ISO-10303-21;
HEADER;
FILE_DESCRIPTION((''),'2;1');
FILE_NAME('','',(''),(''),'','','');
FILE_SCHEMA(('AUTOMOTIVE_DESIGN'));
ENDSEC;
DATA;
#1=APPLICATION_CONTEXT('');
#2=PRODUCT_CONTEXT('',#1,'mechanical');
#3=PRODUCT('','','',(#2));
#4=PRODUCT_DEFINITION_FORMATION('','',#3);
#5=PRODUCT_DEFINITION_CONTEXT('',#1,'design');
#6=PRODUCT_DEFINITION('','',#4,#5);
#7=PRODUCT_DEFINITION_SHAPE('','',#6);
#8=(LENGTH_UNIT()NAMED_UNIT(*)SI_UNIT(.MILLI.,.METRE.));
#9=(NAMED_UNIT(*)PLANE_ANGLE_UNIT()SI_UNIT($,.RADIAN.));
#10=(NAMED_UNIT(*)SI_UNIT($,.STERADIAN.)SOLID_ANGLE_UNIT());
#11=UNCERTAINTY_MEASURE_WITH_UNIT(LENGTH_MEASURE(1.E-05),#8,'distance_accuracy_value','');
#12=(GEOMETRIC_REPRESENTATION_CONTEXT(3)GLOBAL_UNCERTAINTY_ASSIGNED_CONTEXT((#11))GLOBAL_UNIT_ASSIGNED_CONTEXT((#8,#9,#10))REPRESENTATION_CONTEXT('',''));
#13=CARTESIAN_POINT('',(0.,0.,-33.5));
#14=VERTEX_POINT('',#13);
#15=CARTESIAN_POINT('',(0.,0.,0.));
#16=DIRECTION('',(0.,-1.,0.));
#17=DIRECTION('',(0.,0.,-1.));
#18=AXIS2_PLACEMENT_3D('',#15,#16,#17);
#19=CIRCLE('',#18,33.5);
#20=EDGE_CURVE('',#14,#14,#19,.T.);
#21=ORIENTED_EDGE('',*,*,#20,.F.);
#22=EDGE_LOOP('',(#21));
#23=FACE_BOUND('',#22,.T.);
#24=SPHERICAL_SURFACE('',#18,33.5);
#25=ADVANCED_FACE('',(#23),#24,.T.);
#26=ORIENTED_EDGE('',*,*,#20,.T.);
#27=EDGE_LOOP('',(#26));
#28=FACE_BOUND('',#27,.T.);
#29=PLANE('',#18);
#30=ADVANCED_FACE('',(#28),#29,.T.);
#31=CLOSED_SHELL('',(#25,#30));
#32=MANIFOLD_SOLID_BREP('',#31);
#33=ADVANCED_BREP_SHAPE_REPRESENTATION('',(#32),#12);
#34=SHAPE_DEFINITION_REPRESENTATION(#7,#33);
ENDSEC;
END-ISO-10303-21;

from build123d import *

# Parameters (mm, degrees)
REVOLVE1_ANGLE = 180


with BuildPart() as part:
    # Sketch1 → Revolve1 (revolve)
    with BuildSketch(Plane(origin=(0, 0, 0), x_dir=(1, 0, 0), z_dir=(0, 1, 0))):
        with BuildLine():
            Line((-33.5, 0), (33.5, 0))
            ThreePointArc((33.5, 0), (0, 33.5), (-33.5, 0))
        make_face()
    revolve(axis=Axis((-47.186182054, 0, 0), (1, 0, 0)), revolution_arc=REVOLVE1_ANGLE)


solid = part.part
